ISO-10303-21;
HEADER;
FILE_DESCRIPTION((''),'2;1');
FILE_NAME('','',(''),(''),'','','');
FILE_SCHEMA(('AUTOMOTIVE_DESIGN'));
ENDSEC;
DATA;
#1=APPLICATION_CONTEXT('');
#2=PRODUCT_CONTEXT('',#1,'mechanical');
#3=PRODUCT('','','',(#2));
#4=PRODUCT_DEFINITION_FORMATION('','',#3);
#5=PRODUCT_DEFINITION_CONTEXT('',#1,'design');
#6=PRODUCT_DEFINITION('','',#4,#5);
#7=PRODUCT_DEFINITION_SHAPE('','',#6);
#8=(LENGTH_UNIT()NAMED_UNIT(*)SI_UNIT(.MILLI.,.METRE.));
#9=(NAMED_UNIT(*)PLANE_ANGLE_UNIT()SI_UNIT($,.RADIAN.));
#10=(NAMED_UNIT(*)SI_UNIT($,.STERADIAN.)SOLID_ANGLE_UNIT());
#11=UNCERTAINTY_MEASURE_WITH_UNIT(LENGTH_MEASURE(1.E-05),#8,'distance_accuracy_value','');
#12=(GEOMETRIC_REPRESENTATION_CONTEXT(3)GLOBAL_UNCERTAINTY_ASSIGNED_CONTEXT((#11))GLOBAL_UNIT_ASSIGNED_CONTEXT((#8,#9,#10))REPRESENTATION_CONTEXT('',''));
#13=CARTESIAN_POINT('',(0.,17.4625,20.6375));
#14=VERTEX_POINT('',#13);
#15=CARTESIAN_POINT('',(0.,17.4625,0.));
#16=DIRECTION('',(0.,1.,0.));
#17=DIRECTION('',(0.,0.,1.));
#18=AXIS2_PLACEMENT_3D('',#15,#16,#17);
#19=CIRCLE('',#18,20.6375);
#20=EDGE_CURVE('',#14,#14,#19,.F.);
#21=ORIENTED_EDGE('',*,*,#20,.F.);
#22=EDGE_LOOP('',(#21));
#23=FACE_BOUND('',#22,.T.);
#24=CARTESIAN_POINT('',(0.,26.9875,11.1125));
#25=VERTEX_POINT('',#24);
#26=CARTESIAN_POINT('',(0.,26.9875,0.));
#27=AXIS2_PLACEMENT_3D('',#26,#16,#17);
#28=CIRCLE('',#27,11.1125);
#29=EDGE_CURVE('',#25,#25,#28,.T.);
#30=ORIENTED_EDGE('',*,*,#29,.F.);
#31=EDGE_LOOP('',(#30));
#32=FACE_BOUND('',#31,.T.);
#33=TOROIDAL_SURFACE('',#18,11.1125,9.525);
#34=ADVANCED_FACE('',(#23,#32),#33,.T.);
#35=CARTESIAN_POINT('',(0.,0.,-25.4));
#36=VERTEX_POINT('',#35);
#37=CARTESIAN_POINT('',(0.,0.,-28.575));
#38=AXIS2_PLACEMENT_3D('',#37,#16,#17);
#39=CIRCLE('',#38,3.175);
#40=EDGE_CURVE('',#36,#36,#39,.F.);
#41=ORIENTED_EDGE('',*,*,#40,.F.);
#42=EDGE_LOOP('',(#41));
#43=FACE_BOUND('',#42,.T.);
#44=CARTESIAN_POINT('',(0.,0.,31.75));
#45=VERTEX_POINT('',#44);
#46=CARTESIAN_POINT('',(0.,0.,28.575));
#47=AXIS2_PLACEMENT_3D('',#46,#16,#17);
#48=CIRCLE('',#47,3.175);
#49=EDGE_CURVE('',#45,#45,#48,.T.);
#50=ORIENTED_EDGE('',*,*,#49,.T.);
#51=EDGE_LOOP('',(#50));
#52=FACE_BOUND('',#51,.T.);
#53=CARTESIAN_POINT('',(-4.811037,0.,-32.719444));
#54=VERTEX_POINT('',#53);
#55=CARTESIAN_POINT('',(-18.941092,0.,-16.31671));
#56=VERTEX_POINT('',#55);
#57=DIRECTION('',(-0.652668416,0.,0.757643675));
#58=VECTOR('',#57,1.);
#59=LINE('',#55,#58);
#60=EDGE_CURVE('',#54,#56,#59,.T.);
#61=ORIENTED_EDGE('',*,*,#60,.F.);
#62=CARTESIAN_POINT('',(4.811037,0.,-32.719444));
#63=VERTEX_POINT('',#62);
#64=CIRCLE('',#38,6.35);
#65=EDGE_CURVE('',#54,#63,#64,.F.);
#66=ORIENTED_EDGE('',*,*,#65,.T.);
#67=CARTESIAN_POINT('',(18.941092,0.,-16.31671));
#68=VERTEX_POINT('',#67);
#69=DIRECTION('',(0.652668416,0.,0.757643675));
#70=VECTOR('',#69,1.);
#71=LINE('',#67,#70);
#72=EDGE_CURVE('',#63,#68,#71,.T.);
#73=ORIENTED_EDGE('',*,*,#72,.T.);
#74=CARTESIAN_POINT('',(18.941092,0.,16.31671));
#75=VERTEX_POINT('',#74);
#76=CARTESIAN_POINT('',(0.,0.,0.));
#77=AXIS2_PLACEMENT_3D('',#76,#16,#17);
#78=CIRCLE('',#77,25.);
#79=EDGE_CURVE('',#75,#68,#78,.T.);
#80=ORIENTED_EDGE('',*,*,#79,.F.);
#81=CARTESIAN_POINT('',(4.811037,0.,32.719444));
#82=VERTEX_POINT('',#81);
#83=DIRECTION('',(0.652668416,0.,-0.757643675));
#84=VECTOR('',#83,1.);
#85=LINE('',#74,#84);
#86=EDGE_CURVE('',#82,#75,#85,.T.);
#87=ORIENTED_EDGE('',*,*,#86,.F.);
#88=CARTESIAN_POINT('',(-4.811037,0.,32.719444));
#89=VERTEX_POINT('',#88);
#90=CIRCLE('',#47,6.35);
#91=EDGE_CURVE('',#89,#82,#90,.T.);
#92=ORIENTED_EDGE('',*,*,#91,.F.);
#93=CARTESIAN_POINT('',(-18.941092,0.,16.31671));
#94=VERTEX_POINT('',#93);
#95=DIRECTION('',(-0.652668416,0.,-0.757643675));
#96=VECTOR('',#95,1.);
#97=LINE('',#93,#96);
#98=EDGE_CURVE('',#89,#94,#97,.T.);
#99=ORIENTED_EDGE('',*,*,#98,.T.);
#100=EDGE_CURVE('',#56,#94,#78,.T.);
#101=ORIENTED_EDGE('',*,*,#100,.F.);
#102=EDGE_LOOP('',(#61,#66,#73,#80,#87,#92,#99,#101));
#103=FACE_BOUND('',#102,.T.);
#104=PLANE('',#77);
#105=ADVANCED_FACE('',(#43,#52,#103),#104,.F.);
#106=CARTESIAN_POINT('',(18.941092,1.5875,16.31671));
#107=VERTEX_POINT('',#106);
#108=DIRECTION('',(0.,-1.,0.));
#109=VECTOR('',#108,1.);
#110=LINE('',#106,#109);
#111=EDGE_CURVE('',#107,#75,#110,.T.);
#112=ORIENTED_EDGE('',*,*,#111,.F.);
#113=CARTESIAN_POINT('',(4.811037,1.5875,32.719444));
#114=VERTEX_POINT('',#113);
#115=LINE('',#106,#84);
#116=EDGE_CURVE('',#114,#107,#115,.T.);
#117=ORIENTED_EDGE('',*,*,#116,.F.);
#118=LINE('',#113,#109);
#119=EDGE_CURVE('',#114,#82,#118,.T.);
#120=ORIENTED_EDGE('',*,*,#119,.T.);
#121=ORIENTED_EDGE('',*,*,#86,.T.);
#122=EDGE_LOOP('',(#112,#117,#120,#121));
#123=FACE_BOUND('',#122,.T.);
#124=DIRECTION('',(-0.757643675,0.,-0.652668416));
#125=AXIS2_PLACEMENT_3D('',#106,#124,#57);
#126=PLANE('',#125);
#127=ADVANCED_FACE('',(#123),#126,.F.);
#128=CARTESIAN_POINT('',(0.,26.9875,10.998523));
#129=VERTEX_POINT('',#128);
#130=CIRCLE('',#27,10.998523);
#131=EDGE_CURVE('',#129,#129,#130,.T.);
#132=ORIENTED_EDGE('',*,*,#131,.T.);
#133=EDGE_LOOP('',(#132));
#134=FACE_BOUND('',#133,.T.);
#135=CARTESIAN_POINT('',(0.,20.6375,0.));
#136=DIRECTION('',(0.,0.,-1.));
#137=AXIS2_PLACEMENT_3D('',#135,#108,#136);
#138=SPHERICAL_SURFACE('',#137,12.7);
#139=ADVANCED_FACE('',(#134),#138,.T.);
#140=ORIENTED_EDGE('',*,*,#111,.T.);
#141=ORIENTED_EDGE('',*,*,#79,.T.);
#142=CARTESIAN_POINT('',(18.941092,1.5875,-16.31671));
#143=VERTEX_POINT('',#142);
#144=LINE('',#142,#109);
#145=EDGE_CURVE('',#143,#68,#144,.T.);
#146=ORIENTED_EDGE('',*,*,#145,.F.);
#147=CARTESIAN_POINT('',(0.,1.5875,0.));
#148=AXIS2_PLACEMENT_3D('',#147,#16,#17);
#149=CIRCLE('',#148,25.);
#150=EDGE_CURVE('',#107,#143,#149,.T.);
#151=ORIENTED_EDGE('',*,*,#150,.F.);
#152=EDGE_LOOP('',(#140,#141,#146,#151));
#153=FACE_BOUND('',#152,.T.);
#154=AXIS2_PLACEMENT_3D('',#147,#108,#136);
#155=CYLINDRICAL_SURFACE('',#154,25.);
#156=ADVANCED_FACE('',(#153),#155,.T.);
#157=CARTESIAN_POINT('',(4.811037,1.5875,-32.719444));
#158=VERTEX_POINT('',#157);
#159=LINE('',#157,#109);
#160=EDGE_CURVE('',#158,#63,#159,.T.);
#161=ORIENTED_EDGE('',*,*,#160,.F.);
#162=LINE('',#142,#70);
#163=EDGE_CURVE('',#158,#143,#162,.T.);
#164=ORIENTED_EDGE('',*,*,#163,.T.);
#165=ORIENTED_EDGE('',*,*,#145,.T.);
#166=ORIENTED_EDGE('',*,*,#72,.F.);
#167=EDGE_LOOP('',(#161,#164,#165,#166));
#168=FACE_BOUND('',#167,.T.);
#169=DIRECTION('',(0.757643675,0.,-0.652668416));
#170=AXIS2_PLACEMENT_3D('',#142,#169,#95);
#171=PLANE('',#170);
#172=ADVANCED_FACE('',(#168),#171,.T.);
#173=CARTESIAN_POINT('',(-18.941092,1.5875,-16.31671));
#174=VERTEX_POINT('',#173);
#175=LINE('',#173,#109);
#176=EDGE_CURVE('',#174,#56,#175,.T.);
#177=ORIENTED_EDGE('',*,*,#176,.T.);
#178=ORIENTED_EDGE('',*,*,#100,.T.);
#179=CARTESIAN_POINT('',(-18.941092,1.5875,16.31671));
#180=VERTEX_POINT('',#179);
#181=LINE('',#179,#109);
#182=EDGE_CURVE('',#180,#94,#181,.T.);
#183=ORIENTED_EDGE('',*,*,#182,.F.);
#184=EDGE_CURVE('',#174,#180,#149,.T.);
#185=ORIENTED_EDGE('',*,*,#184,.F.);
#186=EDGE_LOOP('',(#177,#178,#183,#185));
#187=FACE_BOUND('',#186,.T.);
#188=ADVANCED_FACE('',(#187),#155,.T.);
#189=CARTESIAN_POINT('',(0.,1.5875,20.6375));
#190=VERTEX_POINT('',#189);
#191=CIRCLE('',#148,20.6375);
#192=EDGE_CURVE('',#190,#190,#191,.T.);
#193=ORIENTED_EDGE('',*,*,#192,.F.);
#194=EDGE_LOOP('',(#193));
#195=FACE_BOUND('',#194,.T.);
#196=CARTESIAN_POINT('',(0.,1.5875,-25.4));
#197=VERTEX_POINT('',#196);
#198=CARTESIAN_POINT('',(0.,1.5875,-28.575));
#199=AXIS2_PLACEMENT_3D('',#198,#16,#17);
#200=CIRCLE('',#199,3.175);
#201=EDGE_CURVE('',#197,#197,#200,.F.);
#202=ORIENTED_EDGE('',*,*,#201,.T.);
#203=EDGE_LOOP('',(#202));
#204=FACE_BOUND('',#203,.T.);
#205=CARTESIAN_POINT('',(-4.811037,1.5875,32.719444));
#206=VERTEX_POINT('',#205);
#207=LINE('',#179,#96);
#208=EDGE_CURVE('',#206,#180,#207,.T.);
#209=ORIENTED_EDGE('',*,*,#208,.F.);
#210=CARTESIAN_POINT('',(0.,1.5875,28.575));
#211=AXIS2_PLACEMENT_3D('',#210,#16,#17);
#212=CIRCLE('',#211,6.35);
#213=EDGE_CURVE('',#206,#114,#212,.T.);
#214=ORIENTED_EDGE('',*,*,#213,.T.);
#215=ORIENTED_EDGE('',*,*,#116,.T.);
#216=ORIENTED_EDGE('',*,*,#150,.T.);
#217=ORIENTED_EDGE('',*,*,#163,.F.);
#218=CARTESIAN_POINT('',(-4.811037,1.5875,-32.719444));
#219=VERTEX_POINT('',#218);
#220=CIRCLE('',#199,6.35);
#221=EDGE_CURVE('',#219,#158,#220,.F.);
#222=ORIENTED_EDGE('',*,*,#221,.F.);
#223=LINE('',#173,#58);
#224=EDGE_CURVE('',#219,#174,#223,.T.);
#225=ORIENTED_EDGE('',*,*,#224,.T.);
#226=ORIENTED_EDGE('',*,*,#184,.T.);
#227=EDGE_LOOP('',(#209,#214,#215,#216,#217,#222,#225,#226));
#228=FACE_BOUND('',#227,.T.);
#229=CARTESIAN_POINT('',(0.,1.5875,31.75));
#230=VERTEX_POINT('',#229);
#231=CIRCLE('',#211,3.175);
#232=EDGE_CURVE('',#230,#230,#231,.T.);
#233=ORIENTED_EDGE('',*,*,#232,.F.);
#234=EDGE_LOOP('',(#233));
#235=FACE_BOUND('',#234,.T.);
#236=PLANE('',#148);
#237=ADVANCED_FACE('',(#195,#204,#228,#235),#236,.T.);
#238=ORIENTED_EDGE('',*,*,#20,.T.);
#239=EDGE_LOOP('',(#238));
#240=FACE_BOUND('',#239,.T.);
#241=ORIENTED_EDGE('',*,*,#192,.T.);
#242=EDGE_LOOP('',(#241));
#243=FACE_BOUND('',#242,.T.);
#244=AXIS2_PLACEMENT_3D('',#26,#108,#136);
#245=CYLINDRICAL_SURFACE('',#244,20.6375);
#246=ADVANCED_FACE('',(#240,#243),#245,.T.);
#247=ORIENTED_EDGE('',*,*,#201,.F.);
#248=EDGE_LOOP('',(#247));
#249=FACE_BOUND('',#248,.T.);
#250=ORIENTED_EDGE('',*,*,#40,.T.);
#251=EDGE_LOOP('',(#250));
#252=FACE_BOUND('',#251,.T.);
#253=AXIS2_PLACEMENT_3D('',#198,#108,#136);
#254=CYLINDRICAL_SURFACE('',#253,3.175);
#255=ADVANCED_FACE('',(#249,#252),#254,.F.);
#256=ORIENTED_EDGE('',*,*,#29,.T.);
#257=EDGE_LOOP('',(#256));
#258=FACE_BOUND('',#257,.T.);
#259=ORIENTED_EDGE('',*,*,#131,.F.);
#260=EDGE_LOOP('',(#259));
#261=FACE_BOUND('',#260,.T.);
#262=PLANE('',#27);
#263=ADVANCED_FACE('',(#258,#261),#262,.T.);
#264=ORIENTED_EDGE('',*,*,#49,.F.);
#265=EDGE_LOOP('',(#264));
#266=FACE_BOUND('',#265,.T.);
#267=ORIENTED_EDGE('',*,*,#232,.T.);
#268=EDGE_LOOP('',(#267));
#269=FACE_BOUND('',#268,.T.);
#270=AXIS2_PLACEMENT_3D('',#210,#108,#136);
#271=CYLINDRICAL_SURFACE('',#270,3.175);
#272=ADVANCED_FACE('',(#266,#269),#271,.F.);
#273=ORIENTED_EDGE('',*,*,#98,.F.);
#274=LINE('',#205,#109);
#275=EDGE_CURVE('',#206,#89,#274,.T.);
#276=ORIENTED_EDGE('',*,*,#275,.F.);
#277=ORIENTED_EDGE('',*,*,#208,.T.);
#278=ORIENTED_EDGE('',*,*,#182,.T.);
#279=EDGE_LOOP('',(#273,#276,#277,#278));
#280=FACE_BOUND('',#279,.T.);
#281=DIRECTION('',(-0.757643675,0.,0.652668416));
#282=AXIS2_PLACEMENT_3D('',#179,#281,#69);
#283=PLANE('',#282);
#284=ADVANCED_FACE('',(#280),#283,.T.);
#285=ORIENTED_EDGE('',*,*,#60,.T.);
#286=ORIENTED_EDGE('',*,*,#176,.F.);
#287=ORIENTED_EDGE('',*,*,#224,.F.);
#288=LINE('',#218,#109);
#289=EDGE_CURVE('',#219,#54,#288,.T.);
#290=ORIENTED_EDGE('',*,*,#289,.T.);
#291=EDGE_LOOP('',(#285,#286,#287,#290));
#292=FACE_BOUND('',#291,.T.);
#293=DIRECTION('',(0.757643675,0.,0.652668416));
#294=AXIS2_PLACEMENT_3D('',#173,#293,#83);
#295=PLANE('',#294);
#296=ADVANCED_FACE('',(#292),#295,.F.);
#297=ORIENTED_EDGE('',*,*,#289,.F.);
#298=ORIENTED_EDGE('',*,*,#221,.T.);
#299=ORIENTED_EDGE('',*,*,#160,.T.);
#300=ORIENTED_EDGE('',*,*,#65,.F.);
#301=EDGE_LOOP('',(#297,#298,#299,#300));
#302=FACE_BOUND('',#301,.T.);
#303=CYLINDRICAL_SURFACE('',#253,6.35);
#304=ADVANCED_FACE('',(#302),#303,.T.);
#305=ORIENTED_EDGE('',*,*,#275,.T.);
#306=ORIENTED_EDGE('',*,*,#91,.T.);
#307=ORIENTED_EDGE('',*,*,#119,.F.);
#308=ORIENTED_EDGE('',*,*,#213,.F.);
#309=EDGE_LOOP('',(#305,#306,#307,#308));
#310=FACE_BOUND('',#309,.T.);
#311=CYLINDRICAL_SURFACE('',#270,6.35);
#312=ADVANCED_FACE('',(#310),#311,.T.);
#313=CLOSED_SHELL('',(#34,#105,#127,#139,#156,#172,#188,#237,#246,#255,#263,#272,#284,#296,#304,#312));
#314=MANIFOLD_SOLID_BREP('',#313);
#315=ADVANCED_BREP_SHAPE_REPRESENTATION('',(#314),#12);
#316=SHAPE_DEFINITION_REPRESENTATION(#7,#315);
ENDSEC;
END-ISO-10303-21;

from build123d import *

# Parameters (mm, degrees)
SKETCH1_R           = 3.175
BOSS_EXTRUDE1_DEPTH = 1.5875
SKETCH2_R           = 20.6375
BOSS_EXTRUDE2_DEPTH = 25.4
FILLET1_R           = 9.525


with BuildPart() as part:
    # Sketch1 → Boss-Extrude1 (new body)
    with BuildSketch(Plane(origin=(0, 0, 0), x_dir=(1, 0, 0), z_dir=(0, 1, 0))):
        with BuildLine():
            ThreePointArc((-18.941091873, 16.316710411), (-25, 0), (-18.941091873, -16.316710411))
            Line((-18.941091873, -16.316710411), (-4.811037336, -32.719444444))
            ThreePointArc((-4.811037336, -32.719444444), (0, -34.925), (4.811037336, -32.719444444))
            Line((4.811037336, -32.719444444), (18.941091873, -16.316710411))
            ThreePointArc((18.941091873, -16.316710411), (25, 0), (18.941091873, 16.316710411))
            Line((18.941091873, 16.316710411), (4.811037336, 32.719444444))
            ThreePointArc((4.811037336, 32.719444444), (0, 34.925), (-4.811037336, 32.719444444))
            Line((-4.811037336, 32.719444444), (-18.941091873, 16.316710411))
        make_face()
        with Locations(Location((0, -28.575, 0), (0, 0, 270))):
            Circle(SKETCH1_R, mode=Mode.SUBTRACT)
        with Locations(Location((0, 28.575, 0), (0, 0, 270))):
            Circle(SKETCH1_R, mode=Mode.SUBTRACT)
    extrude(amount=BOSS_EXTRUDE1_DEPTH)

    # Sketch2 → Boss-Extrude2 (add)
    with BuildSketch(Plane(origin=(0, 1.5875, 0), x_dir=(1, 0, 0), z_dir=(0, 1, 0))):
        with Locations(Location((0, 0, 0), (0, 0, 270))):
            Circle(SKETCH2_R)
    extrude(amount=BOSS_EXTRUDE2_DEPTH)

    # Fillet1
    fillet1_edges = [part.edges().sort_by_distance(p)[0] for p in [
        (0, 26.9875, -20.6375),
    ]]
    fillet(fillet1_edges, radius=FILLET1_R)

    # Sketch4 → Revolve1 (revolve)
    with BuildSketch(Plane(origin=(0, 0, 0), x_dir=(0, 0, -1), z_dir=(1, 0, 0))):
        with BuildLine():
            Line((10.998522628, 26.9875), (0, 26.9875))
            Line((0, 26.9875), (0, 33.3375))
            ThreePointArc((0, 33.3375), (6.35, 31.636022628), (10.998522628, 26.9875))
        make_face()
    revolve(axis=Axis((0, 26.9875, 0), (0, 1, 0)))


solid = part.part
